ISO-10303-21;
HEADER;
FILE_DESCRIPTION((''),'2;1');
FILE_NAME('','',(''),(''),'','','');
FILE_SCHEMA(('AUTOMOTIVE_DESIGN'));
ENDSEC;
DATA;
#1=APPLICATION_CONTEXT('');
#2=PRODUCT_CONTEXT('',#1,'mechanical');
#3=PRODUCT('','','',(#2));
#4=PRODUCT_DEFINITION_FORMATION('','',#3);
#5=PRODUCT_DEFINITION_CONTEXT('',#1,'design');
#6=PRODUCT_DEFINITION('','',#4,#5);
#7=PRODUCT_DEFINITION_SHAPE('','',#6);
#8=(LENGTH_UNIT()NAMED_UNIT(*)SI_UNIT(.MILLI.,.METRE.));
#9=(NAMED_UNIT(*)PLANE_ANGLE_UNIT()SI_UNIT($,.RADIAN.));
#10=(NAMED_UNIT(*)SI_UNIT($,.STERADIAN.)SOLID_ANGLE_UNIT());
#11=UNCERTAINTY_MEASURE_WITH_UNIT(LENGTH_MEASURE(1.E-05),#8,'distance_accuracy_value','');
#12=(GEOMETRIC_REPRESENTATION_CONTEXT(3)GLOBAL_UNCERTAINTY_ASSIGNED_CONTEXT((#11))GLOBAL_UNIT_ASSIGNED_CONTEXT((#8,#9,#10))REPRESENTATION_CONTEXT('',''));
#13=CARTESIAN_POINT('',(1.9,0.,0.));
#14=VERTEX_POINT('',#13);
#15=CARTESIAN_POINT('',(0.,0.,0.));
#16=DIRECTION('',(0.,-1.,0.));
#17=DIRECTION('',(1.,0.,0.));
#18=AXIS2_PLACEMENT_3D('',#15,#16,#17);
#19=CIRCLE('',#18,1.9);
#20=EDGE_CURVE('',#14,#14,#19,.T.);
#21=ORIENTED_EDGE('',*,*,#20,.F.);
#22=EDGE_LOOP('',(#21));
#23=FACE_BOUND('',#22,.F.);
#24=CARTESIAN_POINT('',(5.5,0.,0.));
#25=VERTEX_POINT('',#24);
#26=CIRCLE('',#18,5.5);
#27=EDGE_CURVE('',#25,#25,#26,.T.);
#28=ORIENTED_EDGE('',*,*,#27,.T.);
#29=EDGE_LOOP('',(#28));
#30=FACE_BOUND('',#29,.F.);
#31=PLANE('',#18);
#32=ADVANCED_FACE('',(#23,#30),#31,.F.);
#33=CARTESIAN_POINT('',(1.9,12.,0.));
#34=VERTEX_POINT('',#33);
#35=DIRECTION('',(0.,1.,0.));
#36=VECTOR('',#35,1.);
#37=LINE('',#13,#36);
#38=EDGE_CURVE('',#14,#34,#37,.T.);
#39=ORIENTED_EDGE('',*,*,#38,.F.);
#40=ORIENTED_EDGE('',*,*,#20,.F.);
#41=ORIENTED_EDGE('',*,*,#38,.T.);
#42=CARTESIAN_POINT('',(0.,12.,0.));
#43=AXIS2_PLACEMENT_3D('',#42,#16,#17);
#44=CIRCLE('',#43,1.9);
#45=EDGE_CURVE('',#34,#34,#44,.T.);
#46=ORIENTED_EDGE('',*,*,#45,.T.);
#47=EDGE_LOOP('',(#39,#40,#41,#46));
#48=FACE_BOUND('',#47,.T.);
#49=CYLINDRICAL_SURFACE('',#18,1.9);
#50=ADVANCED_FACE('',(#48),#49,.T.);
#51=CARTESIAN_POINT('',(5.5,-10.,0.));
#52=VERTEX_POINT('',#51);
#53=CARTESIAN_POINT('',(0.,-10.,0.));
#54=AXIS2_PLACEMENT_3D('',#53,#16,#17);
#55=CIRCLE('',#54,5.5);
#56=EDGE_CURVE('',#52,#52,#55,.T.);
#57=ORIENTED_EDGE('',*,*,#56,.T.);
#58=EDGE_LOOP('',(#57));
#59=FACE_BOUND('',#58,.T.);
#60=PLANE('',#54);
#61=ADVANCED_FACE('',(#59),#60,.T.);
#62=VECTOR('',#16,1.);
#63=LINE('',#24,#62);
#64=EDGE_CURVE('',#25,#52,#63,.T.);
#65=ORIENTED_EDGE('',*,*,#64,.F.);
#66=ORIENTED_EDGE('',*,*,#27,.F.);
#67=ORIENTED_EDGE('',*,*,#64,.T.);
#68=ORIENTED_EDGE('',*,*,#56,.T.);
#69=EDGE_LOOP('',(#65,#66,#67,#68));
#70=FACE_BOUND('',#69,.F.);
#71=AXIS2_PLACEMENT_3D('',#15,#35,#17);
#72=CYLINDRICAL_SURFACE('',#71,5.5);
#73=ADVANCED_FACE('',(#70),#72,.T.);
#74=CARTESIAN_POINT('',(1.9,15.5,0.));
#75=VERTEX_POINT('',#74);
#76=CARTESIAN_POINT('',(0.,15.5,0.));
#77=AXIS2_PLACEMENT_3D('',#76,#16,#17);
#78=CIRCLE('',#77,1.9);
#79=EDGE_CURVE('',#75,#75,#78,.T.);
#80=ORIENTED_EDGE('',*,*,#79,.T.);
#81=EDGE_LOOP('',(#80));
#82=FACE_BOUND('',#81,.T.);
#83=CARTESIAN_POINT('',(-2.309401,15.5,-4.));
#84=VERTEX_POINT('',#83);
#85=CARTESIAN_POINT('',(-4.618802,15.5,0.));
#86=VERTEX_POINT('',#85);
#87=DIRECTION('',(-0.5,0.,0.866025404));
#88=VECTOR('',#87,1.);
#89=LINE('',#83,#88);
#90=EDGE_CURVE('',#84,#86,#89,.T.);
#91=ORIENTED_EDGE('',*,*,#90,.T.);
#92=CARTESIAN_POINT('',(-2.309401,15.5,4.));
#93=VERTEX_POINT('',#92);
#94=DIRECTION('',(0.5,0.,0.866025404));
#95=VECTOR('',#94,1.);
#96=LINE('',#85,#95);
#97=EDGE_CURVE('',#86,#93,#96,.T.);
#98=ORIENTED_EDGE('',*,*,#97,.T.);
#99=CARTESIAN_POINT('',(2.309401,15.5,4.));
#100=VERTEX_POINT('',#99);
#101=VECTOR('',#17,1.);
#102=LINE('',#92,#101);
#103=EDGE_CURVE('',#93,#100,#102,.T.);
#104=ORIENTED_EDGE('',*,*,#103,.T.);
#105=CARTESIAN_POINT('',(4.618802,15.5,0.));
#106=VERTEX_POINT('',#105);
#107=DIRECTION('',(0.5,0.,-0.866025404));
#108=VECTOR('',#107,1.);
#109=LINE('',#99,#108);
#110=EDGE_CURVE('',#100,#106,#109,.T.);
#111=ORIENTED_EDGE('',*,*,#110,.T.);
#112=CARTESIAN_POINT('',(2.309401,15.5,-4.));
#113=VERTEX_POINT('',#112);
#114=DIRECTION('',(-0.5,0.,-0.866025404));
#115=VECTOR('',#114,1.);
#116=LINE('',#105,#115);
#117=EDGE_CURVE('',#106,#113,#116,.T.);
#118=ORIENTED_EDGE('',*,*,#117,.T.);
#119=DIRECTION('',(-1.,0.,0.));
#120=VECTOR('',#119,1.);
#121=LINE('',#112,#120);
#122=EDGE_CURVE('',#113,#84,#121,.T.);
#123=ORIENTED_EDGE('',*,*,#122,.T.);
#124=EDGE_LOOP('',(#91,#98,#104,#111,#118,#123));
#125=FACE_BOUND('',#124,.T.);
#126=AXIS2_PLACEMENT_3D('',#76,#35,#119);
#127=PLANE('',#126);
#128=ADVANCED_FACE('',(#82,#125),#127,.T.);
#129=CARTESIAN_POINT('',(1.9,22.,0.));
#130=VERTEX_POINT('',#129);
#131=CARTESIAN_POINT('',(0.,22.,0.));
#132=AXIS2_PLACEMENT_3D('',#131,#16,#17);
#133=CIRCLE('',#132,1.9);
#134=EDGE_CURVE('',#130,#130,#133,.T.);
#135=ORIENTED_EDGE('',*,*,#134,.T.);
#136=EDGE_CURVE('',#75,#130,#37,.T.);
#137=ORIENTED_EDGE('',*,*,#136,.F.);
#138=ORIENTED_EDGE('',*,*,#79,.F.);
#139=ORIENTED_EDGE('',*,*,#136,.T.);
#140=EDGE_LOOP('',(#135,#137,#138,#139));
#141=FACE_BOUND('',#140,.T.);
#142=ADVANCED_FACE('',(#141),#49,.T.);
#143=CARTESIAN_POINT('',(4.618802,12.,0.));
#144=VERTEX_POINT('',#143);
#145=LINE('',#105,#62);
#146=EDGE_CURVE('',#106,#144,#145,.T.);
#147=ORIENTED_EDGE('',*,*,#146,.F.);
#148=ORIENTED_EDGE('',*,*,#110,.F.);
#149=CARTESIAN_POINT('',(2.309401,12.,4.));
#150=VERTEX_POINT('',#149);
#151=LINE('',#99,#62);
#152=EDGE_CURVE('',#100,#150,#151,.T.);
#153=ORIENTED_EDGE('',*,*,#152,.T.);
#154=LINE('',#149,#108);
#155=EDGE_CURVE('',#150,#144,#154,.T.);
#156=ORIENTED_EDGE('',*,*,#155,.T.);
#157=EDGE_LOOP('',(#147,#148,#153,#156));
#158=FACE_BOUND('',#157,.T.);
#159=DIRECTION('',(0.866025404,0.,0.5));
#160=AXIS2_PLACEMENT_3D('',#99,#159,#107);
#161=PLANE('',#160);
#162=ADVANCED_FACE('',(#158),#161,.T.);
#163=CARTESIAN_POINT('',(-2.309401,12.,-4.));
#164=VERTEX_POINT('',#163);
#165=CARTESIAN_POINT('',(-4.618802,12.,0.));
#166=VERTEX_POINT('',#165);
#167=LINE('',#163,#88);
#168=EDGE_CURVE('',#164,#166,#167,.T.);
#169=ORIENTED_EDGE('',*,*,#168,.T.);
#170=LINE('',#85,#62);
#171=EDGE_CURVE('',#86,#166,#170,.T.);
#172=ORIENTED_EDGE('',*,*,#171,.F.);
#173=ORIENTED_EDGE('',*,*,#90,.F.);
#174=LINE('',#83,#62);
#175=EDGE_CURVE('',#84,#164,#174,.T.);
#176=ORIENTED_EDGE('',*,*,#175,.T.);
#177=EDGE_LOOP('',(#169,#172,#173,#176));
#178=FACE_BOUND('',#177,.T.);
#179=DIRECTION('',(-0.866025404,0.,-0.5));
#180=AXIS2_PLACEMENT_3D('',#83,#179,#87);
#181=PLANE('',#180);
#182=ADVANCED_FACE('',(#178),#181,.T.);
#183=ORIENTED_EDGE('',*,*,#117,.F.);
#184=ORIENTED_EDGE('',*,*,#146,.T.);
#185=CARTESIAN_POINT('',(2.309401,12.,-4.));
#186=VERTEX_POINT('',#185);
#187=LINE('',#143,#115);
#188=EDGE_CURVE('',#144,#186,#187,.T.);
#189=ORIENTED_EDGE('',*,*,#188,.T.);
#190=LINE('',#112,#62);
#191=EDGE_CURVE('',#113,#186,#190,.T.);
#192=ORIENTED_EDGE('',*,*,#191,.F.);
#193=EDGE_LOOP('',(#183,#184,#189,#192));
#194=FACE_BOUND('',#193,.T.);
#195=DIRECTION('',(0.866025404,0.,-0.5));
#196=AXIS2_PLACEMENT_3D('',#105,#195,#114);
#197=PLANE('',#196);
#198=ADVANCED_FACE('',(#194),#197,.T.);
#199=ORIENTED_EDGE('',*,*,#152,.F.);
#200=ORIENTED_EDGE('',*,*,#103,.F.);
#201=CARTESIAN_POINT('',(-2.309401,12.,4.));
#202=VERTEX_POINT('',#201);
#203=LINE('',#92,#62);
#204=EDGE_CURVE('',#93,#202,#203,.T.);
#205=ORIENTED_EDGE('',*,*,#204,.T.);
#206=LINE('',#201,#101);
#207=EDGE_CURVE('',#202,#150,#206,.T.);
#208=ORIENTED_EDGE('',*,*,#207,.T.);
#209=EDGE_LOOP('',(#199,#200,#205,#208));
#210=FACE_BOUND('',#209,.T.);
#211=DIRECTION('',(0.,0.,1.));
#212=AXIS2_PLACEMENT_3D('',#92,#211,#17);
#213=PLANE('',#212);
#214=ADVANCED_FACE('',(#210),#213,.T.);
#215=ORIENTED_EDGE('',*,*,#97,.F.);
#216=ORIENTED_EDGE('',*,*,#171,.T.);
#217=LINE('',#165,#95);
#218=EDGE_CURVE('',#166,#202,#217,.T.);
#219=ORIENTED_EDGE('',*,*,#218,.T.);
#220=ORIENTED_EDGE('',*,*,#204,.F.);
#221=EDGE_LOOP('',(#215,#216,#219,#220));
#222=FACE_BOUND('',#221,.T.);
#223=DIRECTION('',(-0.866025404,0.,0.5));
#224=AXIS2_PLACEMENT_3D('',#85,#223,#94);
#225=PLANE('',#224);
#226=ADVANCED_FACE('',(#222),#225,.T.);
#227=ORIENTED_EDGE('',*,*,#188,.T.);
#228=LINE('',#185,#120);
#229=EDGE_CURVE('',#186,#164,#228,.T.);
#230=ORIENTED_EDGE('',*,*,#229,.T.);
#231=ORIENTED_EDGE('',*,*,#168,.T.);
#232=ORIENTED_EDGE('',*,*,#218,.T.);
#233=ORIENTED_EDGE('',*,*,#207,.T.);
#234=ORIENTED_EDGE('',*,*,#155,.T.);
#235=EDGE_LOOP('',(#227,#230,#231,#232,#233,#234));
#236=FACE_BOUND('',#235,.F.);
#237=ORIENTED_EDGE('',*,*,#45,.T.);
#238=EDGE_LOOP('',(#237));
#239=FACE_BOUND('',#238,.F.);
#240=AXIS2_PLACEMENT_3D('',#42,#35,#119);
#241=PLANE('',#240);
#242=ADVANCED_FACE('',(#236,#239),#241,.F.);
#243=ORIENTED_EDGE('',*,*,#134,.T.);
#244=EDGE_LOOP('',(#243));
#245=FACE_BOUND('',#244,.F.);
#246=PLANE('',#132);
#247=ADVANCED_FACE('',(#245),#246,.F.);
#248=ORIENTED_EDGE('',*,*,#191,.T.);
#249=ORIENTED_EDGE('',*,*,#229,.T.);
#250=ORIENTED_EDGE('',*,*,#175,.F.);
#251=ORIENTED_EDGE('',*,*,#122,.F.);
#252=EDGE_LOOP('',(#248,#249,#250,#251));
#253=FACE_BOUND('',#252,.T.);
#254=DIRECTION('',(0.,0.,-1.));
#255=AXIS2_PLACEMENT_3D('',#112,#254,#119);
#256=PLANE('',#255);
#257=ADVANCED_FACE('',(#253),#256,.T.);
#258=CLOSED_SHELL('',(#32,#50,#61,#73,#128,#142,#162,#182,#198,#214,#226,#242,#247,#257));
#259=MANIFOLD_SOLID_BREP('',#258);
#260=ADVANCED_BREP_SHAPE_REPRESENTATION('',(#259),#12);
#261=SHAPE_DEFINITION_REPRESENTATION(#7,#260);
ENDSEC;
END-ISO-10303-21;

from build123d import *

# Parameters (mm, degrees)
F0_R     = 5.5
F0_R_2   = 1.9
F1_DEPTH = 10
F2_DEPTH = 22
F4_START = -6.5
F4_DEPTH = 3.5


with BuildPart() as f1:
    # F0 (on Front) → F1 (new body)
    with BuildSketch(Plane.XZ):
        Circle(F0_R)
        Circle(F0_R_2, mode=Mode.SUBTRACT)
        Circle(F0_R_2)
    extrude(amount=F1_DEPTH)

    # F0 (on Front) → F2 (join)
    with BuildSketch(Plane.XZ):
        Circle(F0_R_2)
    extrude(amount=-F2_DEPTH)

    # F3 (on face) → F4 (join)
    with BuildSketch(Plane(origin=(0, 22, 0), x_dir=(-1, 0, 0), z_dir=(0, 1, 0)).offset(F4_START)):
        Polygon((2.3094010768, 4), (-2.3094010768, 4), (-4.6188021535, 0), (-2.3094010768, -4), (2.3094010768, -4), (4.6188021535, 0), align=None)
    extrude(amount=-F4_DEPTH)


solid = f1.part
